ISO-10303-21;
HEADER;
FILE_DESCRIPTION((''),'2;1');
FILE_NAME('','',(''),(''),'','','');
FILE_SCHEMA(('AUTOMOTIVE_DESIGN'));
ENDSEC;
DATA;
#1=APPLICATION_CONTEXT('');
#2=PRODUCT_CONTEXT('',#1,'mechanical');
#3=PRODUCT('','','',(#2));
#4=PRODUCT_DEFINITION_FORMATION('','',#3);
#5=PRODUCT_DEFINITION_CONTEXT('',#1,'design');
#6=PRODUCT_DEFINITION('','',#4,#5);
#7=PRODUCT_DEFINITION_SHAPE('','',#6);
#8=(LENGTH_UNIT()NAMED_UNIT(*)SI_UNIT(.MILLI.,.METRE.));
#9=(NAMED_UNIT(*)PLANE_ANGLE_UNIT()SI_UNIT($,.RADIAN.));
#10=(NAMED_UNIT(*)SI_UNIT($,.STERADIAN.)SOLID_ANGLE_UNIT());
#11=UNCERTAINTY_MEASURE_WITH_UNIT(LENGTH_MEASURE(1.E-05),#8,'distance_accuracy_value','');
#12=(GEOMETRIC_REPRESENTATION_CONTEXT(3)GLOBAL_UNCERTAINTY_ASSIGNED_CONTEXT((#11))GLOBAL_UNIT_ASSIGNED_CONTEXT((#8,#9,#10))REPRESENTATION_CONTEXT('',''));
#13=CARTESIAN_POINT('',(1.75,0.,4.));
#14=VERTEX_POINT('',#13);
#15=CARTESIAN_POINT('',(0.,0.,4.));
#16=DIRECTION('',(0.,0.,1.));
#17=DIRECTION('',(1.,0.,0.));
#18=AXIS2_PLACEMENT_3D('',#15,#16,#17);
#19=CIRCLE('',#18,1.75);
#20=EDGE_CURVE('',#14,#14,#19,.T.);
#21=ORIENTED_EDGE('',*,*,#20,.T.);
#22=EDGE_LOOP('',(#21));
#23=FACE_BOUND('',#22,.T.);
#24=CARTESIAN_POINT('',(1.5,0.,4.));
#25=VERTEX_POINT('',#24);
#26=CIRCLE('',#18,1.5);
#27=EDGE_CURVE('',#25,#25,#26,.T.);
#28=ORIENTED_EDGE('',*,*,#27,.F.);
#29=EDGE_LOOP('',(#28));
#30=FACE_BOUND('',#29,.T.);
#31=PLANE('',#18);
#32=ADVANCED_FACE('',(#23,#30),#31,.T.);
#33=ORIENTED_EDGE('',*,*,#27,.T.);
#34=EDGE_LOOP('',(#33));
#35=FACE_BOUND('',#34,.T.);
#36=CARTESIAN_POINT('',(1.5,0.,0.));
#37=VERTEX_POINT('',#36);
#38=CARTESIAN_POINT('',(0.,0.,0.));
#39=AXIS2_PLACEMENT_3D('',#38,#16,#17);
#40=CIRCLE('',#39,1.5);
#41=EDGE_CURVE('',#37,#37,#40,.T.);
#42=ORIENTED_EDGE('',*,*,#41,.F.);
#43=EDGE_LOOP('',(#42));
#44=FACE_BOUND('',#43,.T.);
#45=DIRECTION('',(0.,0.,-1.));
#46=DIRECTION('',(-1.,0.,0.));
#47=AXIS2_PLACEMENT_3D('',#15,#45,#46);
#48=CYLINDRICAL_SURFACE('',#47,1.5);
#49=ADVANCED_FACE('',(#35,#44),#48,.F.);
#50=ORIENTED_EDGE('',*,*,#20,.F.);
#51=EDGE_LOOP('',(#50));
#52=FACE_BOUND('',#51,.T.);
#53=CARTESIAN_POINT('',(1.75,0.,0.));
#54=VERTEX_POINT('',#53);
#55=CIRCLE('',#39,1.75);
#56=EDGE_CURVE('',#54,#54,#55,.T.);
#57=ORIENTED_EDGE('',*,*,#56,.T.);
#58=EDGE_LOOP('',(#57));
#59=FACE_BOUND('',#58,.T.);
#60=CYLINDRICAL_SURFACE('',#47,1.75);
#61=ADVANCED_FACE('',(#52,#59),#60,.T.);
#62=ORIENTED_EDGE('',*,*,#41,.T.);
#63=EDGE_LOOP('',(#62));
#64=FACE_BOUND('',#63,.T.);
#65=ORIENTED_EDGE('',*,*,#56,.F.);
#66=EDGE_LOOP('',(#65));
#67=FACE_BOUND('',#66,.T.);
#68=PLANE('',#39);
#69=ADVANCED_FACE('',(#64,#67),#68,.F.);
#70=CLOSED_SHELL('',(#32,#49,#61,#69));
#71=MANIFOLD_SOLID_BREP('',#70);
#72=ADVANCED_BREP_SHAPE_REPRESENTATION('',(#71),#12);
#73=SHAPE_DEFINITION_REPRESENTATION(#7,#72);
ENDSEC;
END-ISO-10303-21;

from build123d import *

# Parameters (mm, degrees)
SKETCH_1_R      = 1.75
SKETCH_1_R_2    = 1.5
EXTRUDE_1_DEPTH = 4


with BuildPart() as part:
    # 草图1 → 凸台-拉伸1 (new body)
    with BuildSketch(Plane.XY):
        Circle(SKETCH_1_R)
        Circle(SKETCH_1_R_2, mode=Mode.SUBTRACT)
    extrude(amount=EXTRUDE_1_DEPTH)


solid = part.part
